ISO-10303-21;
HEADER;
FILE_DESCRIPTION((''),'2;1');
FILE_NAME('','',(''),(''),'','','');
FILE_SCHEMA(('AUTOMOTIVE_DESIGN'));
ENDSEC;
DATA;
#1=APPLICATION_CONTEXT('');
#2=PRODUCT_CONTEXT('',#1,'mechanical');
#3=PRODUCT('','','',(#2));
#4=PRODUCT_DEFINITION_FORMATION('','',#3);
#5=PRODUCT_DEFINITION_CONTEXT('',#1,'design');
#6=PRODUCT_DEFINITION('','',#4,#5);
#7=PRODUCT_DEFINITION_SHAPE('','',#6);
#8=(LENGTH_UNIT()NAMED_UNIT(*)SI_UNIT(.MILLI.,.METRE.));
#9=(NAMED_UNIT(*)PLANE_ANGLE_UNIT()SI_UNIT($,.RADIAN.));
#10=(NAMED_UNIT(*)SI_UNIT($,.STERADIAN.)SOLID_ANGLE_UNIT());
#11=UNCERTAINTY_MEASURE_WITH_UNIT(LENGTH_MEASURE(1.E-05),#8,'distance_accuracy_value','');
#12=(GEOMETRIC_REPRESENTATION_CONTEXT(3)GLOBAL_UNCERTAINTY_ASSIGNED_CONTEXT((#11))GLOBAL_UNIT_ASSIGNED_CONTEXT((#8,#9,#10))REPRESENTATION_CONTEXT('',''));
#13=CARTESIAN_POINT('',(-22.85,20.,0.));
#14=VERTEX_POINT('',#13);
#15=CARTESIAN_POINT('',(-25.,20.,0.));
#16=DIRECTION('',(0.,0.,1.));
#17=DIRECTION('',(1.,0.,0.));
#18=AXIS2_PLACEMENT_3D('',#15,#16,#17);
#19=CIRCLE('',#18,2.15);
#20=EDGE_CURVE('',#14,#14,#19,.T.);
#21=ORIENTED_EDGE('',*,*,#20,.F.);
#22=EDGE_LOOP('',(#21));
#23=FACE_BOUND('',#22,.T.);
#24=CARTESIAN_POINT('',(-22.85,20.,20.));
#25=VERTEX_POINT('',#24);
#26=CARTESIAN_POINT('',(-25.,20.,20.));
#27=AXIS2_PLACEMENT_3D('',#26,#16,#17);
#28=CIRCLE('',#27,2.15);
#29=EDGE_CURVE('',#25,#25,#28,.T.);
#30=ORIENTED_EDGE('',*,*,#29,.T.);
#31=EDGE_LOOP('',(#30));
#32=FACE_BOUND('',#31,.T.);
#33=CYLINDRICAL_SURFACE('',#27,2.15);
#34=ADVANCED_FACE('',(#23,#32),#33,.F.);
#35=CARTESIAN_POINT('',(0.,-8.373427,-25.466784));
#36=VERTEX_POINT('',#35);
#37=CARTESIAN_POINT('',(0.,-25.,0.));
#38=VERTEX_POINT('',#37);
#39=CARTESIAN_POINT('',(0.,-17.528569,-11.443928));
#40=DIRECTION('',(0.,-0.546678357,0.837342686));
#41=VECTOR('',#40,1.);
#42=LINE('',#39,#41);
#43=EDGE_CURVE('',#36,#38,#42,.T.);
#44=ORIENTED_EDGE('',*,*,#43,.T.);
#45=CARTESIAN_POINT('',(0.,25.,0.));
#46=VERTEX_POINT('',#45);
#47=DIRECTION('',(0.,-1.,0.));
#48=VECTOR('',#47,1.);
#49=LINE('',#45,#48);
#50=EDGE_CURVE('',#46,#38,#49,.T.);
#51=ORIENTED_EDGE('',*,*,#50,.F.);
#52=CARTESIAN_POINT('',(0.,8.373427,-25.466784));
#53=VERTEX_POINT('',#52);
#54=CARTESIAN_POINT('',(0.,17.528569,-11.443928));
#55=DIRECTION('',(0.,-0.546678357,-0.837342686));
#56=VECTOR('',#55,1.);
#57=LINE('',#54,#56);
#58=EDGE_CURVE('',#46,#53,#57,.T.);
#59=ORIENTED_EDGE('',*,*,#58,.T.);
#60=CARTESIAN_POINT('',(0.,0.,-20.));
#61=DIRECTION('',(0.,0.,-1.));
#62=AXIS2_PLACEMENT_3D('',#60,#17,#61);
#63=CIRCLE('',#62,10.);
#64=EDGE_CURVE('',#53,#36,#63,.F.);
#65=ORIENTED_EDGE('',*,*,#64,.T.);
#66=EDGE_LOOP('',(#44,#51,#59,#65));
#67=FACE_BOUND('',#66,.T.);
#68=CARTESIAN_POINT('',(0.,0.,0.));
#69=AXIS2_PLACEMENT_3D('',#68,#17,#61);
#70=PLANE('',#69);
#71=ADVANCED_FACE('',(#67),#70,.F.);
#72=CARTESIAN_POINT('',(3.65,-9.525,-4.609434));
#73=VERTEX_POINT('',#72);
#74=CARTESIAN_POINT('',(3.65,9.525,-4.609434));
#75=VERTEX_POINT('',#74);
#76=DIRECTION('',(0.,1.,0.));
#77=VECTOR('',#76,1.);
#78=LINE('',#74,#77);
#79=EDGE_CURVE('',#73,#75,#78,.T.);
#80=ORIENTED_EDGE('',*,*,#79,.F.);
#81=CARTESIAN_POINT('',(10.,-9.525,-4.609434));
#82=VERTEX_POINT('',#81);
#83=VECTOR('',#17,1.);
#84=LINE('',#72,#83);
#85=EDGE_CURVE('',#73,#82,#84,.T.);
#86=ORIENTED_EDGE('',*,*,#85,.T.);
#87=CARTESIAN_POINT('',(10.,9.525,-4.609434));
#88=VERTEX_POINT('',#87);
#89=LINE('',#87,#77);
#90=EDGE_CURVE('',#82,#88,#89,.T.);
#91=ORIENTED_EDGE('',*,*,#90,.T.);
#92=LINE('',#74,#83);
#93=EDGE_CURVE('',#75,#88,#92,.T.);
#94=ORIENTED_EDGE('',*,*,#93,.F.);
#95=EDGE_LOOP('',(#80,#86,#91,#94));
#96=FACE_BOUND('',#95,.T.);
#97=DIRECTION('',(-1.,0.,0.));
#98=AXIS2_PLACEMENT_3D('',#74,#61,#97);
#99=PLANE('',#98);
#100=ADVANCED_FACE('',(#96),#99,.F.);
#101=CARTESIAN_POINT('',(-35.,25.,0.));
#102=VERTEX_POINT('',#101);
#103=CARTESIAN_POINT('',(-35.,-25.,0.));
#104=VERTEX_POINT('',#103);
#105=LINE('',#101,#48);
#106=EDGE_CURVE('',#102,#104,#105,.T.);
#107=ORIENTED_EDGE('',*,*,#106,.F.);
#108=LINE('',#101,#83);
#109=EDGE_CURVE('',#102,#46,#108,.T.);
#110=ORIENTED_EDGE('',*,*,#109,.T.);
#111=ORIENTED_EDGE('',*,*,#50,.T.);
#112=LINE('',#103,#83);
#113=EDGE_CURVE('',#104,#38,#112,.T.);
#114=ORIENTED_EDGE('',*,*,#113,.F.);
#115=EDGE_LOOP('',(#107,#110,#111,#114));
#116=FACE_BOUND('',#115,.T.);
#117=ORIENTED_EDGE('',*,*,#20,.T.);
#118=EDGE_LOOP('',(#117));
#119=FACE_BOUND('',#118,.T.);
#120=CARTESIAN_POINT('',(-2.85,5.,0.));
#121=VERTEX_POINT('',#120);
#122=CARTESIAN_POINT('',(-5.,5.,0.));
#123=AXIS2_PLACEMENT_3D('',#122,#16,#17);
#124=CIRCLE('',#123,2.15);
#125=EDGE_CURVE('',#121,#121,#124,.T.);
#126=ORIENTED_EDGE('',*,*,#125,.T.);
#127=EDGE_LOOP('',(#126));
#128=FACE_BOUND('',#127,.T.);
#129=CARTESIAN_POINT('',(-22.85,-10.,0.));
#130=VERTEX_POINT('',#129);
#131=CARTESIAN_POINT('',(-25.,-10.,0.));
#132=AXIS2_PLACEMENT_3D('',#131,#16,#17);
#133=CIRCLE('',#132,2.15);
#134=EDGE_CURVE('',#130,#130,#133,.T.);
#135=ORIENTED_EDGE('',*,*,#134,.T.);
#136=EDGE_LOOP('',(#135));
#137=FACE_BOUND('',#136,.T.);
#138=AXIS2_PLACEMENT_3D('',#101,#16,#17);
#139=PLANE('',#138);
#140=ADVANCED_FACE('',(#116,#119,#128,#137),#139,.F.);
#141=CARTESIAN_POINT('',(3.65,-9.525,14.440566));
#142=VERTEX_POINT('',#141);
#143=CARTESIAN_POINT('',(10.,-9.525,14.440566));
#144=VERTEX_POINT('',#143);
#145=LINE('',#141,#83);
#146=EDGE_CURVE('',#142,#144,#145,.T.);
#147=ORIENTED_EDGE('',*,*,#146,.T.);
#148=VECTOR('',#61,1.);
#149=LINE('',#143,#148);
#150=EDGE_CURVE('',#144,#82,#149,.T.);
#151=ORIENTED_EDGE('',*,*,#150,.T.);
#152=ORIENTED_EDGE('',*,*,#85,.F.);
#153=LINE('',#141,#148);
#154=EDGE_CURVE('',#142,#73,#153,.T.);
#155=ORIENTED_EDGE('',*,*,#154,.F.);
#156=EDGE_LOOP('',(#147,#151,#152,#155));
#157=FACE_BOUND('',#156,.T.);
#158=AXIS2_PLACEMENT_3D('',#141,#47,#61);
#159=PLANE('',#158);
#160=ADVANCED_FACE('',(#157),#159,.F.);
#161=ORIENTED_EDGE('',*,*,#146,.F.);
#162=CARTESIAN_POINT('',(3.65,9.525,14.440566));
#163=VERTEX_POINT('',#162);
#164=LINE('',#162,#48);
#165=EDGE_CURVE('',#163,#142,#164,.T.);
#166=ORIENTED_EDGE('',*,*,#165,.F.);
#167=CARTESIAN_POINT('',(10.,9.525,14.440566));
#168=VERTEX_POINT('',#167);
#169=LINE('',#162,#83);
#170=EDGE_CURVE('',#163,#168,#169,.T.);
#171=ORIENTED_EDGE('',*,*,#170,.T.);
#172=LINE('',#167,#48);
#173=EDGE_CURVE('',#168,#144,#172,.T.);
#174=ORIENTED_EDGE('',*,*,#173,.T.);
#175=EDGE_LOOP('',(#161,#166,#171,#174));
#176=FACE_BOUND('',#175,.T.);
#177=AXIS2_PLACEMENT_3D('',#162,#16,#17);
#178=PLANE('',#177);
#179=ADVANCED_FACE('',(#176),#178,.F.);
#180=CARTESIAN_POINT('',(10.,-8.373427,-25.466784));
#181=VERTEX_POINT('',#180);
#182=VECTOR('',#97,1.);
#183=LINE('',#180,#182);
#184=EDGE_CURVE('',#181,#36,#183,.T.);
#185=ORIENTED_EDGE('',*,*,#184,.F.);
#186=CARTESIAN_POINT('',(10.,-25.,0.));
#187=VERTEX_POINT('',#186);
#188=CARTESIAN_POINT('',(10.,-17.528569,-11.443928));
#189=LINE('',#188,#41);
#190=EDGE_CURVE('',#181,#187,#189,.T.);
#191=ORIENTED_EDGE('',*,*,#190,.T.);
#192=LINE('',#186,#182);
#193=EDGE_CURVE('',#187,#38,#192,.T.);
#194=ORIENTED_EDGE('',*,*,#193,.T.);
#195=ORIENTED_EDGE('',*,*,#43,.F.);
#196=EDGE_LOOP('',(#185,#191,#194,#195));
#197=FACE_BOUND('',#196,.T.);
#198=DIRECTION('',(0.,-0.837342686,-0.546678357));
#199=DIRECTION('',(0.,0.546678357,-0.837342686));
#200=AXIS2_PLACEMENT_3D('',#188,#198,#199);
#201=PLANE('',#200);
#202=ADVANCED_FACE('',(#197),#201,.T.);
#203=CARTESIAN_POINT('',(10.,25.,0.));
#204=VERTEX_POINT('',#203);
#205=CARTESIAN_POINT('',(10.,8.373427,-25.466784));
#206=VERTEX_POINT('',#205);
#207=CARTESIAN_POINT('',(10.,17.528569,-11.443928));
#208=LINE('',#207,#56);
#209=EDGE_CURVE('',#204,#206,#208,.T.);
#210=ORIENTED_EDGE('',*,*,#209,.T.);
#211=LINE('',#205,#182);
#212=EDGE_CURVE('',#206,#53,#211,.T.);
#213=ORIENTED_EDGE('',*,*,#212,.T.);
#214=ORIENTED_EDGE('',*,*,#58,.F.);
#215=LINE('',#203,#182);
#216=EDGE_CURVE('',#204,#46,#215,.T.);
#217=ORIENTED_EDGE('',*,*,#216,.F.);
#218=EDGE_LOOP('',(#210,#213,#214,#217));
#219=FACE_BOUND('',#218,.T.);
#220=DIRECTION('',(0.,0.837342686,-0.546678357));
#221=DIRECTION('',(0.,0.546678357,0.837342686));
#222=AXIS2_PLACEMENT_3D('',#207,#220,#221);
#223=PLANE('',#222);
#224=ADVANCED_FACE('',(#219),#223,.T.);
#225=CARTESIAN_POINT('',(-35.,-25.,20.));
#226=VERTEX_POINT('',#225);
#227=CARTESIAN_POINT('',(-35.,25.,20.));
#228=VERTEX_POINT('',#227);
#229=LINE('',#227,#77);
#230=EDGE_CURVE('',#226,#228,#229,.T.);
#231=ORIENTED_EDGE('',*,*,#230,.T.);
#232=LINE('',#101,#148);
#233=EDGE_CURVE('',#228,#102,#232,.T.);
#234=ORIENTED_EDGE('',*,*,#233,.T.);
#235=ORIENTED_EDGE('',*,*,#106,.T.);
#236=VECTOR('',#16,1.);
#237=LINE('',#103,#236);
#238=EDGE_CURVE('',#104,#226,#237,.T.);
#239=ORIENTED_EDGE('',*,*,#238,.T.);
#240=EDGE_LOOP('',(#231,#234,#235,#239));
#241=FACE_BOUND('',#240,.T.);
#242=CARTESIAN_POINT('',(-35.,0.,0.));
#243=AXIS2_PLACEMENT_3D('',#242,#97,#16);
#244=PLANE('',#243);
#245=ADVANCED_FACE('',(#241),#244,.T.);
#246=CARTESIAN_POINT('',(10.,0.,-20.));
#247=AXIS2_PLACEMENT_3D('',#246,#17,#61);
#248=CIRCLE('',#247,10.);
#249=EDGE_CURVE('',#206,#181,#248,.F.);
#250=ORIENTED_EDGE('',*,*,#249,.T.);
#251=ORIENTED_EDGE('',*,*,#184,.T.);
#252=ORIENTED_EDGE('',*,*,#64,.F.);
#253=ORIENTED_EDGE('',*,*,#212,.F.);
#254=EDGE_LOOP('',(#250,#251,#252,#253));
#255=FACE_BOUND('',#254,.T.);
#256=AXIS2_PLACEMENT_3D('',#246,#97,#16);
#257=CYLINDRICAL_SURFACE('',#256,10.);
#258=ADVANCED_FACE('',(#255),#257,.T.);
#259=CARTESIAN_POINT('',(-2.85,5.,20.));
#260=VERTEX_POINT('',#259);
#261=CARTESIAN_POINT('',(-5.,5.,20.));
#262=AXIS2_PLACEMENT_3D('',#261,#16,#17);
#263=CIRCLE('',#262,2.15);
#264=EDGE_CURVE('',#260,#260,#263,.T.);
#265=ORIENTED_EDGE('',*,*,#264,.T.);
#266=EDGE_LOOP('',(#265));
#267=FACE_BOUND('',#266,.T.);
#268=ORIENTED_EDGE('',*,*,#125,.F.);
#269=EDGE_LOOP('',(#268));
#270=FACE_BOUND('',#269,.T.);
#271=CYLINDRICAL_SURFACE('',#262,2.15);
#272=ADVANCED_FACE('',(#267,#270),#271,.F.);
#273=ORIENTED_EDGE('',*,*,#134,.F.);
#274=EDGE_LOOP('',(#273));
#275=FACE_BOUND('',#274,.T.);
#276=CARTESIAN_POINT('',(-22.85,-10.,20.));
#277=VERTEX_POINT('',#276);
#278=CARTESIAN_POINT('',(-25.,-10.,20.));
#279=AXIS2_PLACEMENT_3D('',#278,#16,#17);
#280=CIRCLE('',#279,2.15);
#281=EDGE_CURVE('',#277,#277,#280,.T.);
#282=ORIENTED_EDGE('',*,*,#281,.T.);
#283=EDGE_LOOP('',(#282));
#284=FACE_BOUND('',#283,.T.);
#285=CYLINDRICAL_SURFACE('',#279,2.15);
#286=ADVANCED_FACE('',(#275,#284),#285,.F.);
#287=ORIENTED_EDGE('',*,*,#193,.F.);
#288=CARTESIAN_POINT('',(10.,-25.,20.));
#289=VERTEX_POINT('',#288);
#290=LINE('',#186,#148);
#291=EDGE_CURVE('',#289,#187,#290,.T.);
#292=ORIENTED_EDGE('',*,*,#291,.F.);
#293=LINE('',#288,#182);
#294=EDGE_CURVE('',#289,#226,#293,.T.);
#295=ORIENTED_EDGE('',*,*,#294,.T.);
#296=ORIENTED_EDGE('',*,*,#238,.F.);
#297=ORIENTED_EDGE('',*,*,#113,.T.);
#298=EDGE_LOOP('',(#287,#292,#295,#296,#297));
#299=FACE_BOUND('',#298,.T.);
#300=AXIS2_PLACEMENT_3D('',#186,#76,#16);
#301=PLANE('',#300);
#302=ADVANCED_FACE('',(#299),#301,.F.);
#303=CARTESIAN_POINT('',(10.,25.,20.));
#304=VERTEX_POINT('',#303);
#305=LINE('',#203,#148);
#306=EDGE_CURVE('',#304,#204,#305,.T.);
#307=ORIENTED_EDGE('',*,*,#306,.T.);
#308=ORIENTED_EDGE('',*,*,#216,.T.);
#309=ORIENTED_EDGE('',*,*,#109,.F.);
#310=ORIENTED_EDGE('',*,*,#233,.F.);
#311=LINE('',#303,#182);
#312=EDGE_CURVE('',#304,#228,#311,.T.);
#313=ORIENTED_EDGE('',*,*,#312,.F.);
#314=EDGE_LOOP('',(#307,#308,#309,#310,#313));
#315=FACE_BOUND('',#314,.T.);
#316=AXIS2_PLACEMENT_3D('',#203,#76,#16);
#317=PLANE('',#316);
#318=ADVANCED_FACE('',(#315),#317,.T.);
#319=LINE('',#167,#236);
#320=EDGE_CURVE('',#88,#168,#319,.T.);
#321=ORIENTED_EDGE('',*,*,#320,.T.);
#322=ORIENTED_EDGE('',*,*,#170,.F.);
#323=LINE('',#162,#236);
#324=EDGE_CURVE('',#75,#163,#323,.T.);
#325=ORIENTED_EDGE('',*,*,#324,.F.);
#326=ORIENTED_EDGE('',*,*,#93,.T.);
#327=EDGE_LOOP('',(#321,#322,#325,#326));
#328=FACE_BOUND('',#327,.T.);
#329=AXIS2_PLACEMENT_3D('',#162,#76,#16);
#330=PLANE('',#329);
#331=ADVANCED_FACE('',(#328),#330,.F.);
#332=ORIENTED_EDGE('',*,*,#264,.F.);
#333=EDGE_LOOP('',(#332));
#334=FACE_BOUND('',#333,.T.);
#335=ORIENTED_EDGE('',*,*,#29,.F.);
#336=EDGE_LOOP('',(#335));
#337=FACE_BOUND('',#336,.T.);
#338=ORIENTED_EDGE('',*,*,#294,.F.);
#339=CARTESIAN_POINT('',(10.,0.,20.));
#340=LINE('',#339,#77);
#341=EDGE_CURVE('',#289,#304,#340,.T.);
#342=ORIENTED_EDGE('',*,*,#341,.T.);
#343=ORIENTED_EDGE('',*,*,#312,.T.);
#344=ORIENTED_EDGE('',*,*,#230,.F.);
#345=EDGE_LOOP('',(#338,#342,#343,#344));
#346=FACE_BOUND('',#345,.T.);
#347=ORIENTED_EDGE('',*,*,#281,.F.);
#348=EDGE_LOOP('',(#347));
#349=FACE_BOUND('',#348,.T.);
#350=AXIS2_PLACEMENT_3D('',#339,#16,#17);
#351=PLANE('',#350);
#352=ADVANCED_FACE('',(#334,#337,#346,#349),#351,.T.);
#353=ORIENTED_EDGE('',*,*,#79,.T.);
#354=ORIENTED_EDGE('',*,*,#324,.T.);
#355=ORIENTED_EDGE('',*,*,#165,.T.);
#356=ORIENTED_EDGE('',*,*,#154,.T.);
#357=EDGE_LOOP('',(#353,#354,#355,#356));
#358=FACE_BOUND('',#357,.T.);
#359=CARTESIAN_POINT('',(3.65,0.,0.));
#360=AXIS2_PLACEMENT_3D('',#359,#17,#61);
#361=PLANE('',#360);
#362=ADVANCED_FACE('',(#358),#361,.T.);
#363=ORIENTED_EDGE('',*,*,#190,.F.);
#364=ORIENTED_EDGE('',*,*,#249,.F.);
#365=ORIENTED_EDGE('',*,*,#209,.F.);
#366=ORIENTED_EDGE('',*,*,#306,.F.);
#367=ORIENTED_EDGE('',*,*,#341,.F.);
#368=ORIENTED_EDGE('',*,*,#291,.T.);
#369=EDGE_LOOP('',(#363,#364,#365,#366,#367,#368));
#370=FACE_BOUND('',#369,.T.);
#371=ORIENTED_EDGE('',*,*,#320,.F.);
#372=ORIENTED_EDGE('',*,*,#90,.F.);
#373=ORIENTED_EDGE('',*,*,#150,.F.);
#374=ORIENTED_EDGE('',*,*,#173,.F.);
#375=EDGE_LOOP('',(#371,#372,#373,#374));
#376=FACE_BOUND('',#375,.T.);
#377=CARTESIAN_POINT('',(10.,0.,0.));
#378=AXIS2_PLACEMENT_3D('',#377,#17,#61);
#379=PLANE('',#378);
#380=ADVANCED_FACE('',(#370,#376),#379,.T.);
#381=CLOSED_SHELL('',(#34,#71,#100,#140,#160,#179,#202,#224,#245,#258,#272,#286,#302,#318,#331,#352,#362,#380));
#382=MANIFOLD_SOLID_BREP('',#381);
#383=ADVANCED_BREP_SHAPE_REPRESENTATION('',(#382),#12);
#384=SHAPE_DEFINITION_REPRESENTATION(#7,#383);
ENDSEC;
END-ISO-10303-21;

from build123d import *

# Parameters (mm, degrees)
SKETCH1_W            = 20
SKETCH1_H            = 50
BOSS_EXTRUDE1_DEPTH  = 10
SKETCH5_W            = 19.05
SKETCH5_H            = 19.05
CUT_EXTRUDE1_DEPTH   = 6.35
SKETCH7_W            = 20
SKETCH7_H            = 50
BOSS_EXTRUDE2_DEPTH  = 35
M4_CLEARANCE_HOLE1_D = 4.3


with BuildPart() as part:
    # Sketch1 → Boss-Extrude1 (new body)
    with BuildSketch(Plane(origin=(0, 0, 0), x_dir=(0, 0, -1), z_dir=(1, 0, 0))):
        with Locations((-10, 0)):
            Rectangle(SKETCH1_W, SKETCH1_H)
        with BuildLine():
            ThreePointArc((25.466783574, 8.373426859), (30, 0), (25.466783574, -8.373426859))
            Line((25.466783574, -8.373426859), (0, -25))
            Line((0, -25), (0, 25))
            Line((0, 25), (25.466783574, 8.373426859))
        make_face()
    extrude(amount=BOSS_EXTRUDE1_DEPTH)

    # Sketch5 → Cut-Extrude1 (cut)
    with BuildSketch(Plane(origin=(10, 0, 0), x_dir=(0, 0, -1), z_dir=(1, 0, 0))):
        with Locations((-4.915565879, 0)):
            Rectangle(SKETCH5_W, SKETCH5_H)
    extrude(amount=-CUT_EXTRUDE1_DEPTH, mode=Mode.SUBTRACT)

    # Sketch7 → Boss-Extrude2 (add)
    with BuildSketch(Plane.ZY):
        with Locations((10, 0)):
            Rectangle(SKETCH7_W, SKETCH7_H)
    extrude(amount=BOSS_EXTRUDE2_DEPTH)

    # M4 Clearance Hole1 (through all)
    with Locations(Plane.XY.offset(20)):
        with Locations((-25, 20), (-25, -10), (-5, 5)):
            Hole(M4_CLEARANCE_HOLE1_D / 2)


solid = part.part
